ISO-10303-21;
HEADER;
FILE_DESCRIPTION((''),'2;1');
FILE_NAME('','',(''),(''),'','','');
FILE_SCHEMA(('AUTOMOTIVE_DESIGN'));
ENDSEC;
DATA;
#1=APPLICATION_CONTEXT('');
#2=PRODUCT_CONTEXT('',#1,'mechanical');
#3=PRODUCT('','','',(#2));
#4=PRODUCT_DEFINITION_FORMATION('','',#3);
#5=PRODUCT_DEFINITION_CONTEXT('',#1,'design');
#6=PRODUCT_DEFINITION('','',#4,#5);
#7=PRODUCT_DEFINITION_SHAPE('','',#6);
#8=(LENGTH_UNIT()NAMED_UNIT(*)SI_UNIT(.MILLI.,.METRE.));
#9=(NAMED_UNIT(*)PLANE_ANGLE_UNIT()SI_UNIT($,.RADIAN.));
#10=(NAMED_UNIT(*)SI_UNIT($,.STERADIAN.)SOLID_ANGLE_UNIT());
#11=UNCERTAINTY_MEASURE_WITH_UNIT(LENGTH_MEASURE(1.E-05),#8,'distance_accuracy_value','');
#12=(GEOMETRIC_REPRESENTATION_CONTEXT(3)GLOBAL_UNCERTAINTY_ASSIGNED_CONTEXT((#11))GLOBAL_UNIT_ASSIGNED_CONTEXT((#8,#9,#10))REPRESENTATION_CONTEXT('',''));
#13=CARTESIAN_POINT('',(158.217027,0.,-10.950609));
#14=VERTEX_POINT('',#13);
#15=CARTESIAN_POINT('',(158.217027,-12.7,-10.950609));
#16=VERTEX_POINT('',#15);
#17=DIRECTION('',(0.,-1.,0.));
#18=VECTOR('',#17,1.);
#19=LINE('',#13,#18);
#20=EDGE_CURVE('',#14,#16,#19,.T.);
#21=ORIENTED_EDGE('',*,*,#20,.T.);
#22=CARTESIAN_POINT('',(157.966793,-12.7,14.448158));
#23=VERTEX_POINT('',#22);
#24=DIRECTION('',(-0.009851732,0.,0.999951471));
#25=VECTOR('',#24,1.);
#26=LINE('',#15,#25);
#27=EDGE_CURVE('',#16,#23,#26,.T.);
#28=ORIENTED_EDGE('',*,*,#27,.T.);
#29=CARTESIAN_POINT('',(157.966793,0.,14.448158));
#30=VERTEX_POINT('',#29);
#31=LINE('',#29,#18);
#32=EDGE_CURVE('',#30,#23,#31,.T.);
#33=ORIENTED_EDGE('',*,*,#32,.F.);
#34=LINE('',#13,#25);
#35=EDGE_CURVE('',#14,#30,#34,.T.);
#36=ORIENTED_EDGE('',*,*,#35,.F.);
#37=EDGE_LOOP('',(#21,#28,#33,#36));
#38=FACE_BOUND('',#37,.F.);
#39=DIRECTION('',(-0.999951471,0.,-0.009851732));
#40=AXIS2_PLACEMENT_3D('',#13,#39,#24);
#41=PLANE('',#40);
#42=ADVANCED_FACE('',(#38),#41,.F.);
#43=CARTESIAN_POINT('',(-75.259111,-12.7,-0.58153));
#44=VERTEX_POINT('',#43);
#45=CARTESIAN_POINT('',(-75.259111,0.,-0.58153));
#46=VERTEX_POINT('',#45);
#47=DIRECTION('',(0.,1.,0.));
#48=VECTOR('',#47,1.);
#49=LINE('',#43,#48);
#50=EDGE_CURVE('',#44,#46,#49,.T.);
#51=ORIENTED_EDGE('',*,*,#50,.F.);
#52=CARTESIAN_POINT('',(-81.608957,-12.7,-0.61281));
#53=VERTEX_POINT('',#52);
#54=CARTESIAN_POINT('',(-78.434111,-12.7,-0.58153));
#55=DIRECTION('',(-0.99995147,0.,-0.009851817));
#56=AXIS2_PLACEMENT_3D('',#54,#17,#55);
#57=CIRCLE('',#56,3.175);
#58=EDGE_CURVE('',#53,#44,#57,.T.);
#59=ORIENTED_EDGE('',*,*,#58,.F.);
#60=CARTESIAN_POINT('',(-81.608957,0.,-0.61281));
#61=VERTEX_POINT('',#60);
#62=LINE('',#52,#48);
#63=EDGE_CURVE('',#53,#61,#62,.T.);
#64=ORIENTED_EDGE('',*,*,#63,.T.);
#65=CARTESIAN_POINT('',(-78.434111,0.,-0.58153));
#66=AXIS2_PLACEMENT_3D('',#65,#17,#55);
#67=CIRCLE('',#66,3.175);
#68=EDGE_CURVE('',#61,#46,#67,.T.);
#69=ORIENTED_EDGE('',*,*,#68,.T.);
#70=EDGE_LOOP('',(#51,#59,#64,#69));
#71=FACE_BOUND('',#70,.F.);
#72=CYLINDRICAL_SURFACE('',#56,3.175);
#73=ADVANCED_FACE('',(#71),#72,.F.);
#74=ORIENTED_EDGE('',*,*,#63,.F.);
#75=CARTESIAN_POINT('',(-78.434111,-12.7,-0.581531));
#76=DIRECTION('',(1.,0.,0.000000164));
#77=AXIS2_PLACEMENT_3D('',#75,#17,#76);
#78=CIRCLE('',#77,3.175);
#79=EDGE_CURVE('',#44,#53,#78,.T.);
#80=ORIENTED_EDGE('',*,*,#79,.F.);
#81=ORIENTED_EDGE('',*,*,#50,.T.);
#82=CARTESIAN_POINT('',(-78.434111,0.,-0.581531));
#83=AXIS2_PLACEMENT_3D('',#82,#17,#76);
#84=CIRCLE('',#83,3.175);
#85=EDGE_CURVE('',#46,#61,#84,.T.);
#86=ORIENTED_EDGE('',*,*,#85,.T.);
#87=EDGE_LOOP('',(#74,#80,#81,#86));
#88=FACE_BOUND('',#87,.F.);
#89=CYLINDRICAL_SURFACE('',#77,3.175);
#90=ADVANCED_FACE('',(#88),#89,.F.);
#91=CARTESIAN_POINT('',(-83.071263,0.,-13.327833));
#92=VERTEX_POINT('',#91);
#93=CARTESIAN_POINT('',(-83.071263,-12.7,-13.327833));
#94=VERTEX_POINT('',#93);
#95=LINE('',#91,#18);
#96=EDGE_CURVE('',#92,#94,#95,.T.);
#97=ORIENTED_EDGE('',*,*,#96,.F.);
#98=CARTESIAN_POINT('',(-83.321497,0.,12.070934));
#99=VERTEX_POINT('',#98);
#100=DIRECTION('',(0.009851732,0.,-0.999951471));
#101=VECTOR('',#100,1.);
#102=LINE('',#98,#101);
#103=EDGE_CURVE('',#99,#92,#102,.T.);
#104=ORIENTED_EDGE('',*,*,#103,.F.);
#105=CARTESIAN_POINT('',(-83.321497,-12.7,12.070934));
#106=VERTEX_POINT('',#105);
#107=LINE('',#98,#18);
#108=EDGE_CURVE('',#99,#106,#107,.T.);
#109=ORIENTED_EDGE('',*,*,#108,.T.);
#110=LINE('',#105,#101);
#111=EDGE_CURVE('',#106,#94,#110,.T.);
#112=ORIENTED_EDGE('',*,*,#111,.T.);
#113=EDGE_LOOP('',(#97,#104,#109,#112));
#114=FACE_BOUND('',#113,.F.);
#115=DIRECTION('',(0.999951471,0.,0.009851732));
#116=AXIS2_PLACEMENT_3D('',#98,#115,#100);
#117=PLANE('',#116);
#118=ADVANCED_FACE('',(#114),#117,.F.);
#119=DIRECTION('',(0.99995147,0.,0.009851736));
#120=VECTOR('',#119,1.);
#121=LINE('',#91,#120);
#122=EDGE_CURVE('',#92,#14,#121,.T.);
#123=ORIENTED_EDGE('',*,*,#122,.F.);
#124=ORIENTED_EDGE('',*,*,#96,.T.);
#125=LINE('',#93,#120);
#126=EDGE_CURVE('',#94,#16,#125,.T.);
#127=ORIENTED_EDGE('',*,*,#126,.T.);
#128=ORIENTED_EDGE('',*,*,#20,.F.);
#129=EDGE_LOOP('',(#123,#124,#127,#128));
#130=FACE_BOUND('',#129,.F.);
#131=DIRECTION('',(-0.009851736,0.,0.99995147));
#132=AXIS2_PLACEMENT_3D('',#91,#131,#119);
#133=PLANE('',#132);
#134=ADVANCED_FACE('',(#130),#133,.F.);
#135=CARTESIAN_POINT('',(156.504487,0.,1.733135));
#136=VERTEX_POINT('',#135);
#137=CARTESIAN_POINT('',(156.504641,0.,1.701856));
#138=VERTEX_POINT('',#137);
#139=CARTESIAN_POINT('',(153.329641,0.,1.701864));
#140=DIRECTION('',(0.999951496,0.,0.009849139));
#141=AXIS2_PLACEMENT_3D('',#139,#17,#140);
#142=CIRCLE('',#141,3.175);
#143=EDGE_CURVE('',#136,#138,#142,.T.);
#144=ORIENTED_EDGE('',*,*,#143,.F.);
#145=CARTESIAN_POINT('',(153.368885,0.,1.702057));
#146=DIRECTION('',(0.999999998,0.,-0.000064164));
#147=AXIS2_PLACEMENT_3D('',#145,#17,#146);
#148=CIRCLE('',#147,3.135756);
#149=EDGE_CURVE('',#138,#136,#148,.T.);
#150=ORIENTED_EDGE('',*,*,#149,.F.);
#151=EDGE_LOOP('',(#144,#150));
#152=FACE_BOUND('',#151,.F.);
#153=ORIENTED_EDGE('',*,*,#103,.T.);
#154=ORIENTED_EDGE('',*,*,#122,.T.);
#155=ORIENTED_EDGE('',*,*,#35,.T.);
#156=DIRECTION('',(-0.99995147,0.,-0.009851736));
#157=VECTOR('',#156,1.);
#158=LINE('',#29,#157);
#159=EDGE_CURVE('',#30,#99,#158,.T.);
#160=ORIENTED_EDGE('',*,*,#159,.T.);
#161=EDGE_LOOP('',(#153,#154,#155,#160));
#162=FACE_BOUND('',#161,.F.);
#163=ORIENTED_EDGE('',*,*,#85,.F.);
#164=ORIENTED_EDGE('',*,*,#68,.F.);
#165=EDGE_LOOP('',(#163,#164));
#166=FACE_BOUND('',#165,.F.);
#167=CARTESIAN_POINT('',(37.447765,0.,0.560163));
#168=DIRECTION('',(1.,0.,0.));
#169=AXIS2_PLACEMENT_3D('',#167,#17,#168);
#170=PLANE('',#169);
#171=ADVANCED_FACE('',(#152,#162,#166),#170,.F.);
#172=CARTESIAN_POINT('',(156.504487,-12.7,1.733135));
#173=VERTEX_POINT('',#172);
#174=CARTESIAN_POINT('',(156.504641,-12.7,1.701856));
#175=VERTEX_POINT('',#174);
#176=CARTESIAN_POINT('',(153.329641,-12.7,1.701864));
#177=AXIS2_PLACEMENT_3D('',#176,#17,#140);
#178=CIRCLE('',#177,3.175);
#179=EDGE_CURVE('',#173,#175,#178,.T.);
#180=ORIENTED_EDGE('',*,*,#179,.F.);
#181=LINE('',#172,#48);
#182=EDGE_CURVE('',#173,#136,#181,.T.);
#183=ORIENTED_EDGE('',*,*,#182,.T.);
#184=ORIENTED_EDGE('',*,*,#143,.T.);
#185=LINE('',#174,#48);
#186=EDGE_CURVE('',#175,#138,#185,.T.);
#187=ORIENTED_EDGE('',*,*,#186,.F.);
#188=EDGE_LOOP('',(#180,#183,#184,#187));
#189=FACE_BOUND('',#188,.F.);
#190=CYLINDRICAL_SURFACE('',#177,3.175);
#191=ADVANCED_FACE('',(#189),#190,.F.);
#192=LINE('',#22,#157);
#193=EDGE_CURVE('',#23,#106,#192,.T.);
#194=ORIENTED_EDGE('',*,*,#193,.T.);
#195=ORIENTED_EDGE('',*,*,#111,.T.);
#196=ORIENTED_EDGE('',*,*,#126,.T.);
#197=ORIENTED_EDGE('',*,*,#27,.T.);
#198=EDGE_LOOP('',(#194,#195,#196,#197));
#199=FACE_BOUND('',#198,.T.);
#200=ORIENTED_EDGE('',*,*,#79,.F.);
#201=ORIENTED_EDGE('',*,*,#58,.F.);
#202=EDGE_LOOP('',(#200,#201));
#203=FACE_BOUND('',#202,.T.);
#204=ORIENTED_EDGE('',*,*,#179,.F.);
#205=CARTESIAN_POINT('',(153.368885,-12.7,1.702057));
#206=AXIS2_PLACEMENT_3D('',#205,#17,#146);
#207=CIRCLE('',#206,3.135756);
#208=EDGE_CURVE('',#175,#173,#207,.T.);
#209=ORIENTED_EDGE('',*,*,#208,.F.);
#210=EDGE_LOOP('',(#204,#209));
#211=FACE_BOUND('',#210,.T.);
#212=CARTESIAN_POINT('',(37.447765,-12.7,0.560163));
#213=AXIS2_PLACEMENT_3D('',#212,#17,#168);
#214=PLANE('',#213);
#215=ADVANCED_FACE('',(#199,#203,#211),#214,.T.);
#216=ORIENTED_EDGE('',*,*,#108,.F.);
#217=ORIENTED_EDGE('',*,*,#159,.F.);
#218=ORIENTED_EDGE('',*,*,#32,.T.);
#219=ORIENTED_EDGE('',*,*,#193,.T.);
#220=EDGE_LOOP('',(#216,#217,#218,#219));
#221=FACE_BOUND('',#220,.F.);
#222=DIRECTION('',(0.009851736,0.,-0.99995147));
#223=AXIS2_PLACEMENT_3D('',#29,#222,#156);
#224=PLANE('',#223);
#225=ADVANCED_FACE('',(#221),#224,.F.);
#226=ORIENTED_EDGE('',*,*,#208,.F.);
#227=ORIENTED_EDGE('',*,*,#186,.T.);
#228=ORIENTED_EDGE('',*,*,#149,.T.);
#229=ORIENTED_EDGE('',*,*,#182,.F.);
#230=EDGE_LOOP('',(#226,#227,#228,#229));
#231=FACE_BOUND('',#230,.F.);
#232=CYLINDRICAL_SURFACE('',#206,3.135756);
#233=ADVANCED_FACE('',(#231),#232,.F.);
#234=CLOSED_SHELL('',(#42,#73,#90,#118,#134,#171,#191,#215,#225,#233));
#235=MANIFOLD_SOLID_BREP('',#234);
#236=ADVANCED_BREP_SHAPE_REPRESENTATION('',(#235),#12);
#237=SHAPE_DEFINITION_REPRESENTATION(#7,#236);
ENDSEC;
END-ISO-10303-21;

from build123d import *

# Parameters (mm, degrees)
F1_DEPTH = 12.7
F3_DEPTH = 12.701


with BuildPart() as f1:
    # F0 (on Front) → F1 (new body)
    with BuildSketch(Plane.XZ):
        Polygon((157.966793, 14.448158), (-83.321497, 12.070934), (-83.071263, -13.327833), (158.217027, -10.950609), align=None)
    extrude(amount=F1_DEPTH)

    # F2 (on face) → F3 (cut, through all)
    with BuildSketch(Plane.XZ.offset(12.7)):
        with BuildLine():
            ThreePointArc((-81.608957, -0.61281), (-78.418471, -3.756492), (-75.259111, -0.58153))
            ThreePointArc((-75.259111, -0.58153), (-78.449751, 2.593431), (-81.608957, -0.61281))
        make_face()
        with BuildLine():
            ThreePointArc((156.504487, 1.733135), (150.15468, 1.686216), (156.504641, 1.701856))
            ThreePointArc((156.504641, 1.701856), (156.504603, 1.717496), (156.504487, 1.733135))
        make_face()
    extrude(amount=-F3_DEPTH, mode=Mode.SUBTRACT)


solid = f1.part
